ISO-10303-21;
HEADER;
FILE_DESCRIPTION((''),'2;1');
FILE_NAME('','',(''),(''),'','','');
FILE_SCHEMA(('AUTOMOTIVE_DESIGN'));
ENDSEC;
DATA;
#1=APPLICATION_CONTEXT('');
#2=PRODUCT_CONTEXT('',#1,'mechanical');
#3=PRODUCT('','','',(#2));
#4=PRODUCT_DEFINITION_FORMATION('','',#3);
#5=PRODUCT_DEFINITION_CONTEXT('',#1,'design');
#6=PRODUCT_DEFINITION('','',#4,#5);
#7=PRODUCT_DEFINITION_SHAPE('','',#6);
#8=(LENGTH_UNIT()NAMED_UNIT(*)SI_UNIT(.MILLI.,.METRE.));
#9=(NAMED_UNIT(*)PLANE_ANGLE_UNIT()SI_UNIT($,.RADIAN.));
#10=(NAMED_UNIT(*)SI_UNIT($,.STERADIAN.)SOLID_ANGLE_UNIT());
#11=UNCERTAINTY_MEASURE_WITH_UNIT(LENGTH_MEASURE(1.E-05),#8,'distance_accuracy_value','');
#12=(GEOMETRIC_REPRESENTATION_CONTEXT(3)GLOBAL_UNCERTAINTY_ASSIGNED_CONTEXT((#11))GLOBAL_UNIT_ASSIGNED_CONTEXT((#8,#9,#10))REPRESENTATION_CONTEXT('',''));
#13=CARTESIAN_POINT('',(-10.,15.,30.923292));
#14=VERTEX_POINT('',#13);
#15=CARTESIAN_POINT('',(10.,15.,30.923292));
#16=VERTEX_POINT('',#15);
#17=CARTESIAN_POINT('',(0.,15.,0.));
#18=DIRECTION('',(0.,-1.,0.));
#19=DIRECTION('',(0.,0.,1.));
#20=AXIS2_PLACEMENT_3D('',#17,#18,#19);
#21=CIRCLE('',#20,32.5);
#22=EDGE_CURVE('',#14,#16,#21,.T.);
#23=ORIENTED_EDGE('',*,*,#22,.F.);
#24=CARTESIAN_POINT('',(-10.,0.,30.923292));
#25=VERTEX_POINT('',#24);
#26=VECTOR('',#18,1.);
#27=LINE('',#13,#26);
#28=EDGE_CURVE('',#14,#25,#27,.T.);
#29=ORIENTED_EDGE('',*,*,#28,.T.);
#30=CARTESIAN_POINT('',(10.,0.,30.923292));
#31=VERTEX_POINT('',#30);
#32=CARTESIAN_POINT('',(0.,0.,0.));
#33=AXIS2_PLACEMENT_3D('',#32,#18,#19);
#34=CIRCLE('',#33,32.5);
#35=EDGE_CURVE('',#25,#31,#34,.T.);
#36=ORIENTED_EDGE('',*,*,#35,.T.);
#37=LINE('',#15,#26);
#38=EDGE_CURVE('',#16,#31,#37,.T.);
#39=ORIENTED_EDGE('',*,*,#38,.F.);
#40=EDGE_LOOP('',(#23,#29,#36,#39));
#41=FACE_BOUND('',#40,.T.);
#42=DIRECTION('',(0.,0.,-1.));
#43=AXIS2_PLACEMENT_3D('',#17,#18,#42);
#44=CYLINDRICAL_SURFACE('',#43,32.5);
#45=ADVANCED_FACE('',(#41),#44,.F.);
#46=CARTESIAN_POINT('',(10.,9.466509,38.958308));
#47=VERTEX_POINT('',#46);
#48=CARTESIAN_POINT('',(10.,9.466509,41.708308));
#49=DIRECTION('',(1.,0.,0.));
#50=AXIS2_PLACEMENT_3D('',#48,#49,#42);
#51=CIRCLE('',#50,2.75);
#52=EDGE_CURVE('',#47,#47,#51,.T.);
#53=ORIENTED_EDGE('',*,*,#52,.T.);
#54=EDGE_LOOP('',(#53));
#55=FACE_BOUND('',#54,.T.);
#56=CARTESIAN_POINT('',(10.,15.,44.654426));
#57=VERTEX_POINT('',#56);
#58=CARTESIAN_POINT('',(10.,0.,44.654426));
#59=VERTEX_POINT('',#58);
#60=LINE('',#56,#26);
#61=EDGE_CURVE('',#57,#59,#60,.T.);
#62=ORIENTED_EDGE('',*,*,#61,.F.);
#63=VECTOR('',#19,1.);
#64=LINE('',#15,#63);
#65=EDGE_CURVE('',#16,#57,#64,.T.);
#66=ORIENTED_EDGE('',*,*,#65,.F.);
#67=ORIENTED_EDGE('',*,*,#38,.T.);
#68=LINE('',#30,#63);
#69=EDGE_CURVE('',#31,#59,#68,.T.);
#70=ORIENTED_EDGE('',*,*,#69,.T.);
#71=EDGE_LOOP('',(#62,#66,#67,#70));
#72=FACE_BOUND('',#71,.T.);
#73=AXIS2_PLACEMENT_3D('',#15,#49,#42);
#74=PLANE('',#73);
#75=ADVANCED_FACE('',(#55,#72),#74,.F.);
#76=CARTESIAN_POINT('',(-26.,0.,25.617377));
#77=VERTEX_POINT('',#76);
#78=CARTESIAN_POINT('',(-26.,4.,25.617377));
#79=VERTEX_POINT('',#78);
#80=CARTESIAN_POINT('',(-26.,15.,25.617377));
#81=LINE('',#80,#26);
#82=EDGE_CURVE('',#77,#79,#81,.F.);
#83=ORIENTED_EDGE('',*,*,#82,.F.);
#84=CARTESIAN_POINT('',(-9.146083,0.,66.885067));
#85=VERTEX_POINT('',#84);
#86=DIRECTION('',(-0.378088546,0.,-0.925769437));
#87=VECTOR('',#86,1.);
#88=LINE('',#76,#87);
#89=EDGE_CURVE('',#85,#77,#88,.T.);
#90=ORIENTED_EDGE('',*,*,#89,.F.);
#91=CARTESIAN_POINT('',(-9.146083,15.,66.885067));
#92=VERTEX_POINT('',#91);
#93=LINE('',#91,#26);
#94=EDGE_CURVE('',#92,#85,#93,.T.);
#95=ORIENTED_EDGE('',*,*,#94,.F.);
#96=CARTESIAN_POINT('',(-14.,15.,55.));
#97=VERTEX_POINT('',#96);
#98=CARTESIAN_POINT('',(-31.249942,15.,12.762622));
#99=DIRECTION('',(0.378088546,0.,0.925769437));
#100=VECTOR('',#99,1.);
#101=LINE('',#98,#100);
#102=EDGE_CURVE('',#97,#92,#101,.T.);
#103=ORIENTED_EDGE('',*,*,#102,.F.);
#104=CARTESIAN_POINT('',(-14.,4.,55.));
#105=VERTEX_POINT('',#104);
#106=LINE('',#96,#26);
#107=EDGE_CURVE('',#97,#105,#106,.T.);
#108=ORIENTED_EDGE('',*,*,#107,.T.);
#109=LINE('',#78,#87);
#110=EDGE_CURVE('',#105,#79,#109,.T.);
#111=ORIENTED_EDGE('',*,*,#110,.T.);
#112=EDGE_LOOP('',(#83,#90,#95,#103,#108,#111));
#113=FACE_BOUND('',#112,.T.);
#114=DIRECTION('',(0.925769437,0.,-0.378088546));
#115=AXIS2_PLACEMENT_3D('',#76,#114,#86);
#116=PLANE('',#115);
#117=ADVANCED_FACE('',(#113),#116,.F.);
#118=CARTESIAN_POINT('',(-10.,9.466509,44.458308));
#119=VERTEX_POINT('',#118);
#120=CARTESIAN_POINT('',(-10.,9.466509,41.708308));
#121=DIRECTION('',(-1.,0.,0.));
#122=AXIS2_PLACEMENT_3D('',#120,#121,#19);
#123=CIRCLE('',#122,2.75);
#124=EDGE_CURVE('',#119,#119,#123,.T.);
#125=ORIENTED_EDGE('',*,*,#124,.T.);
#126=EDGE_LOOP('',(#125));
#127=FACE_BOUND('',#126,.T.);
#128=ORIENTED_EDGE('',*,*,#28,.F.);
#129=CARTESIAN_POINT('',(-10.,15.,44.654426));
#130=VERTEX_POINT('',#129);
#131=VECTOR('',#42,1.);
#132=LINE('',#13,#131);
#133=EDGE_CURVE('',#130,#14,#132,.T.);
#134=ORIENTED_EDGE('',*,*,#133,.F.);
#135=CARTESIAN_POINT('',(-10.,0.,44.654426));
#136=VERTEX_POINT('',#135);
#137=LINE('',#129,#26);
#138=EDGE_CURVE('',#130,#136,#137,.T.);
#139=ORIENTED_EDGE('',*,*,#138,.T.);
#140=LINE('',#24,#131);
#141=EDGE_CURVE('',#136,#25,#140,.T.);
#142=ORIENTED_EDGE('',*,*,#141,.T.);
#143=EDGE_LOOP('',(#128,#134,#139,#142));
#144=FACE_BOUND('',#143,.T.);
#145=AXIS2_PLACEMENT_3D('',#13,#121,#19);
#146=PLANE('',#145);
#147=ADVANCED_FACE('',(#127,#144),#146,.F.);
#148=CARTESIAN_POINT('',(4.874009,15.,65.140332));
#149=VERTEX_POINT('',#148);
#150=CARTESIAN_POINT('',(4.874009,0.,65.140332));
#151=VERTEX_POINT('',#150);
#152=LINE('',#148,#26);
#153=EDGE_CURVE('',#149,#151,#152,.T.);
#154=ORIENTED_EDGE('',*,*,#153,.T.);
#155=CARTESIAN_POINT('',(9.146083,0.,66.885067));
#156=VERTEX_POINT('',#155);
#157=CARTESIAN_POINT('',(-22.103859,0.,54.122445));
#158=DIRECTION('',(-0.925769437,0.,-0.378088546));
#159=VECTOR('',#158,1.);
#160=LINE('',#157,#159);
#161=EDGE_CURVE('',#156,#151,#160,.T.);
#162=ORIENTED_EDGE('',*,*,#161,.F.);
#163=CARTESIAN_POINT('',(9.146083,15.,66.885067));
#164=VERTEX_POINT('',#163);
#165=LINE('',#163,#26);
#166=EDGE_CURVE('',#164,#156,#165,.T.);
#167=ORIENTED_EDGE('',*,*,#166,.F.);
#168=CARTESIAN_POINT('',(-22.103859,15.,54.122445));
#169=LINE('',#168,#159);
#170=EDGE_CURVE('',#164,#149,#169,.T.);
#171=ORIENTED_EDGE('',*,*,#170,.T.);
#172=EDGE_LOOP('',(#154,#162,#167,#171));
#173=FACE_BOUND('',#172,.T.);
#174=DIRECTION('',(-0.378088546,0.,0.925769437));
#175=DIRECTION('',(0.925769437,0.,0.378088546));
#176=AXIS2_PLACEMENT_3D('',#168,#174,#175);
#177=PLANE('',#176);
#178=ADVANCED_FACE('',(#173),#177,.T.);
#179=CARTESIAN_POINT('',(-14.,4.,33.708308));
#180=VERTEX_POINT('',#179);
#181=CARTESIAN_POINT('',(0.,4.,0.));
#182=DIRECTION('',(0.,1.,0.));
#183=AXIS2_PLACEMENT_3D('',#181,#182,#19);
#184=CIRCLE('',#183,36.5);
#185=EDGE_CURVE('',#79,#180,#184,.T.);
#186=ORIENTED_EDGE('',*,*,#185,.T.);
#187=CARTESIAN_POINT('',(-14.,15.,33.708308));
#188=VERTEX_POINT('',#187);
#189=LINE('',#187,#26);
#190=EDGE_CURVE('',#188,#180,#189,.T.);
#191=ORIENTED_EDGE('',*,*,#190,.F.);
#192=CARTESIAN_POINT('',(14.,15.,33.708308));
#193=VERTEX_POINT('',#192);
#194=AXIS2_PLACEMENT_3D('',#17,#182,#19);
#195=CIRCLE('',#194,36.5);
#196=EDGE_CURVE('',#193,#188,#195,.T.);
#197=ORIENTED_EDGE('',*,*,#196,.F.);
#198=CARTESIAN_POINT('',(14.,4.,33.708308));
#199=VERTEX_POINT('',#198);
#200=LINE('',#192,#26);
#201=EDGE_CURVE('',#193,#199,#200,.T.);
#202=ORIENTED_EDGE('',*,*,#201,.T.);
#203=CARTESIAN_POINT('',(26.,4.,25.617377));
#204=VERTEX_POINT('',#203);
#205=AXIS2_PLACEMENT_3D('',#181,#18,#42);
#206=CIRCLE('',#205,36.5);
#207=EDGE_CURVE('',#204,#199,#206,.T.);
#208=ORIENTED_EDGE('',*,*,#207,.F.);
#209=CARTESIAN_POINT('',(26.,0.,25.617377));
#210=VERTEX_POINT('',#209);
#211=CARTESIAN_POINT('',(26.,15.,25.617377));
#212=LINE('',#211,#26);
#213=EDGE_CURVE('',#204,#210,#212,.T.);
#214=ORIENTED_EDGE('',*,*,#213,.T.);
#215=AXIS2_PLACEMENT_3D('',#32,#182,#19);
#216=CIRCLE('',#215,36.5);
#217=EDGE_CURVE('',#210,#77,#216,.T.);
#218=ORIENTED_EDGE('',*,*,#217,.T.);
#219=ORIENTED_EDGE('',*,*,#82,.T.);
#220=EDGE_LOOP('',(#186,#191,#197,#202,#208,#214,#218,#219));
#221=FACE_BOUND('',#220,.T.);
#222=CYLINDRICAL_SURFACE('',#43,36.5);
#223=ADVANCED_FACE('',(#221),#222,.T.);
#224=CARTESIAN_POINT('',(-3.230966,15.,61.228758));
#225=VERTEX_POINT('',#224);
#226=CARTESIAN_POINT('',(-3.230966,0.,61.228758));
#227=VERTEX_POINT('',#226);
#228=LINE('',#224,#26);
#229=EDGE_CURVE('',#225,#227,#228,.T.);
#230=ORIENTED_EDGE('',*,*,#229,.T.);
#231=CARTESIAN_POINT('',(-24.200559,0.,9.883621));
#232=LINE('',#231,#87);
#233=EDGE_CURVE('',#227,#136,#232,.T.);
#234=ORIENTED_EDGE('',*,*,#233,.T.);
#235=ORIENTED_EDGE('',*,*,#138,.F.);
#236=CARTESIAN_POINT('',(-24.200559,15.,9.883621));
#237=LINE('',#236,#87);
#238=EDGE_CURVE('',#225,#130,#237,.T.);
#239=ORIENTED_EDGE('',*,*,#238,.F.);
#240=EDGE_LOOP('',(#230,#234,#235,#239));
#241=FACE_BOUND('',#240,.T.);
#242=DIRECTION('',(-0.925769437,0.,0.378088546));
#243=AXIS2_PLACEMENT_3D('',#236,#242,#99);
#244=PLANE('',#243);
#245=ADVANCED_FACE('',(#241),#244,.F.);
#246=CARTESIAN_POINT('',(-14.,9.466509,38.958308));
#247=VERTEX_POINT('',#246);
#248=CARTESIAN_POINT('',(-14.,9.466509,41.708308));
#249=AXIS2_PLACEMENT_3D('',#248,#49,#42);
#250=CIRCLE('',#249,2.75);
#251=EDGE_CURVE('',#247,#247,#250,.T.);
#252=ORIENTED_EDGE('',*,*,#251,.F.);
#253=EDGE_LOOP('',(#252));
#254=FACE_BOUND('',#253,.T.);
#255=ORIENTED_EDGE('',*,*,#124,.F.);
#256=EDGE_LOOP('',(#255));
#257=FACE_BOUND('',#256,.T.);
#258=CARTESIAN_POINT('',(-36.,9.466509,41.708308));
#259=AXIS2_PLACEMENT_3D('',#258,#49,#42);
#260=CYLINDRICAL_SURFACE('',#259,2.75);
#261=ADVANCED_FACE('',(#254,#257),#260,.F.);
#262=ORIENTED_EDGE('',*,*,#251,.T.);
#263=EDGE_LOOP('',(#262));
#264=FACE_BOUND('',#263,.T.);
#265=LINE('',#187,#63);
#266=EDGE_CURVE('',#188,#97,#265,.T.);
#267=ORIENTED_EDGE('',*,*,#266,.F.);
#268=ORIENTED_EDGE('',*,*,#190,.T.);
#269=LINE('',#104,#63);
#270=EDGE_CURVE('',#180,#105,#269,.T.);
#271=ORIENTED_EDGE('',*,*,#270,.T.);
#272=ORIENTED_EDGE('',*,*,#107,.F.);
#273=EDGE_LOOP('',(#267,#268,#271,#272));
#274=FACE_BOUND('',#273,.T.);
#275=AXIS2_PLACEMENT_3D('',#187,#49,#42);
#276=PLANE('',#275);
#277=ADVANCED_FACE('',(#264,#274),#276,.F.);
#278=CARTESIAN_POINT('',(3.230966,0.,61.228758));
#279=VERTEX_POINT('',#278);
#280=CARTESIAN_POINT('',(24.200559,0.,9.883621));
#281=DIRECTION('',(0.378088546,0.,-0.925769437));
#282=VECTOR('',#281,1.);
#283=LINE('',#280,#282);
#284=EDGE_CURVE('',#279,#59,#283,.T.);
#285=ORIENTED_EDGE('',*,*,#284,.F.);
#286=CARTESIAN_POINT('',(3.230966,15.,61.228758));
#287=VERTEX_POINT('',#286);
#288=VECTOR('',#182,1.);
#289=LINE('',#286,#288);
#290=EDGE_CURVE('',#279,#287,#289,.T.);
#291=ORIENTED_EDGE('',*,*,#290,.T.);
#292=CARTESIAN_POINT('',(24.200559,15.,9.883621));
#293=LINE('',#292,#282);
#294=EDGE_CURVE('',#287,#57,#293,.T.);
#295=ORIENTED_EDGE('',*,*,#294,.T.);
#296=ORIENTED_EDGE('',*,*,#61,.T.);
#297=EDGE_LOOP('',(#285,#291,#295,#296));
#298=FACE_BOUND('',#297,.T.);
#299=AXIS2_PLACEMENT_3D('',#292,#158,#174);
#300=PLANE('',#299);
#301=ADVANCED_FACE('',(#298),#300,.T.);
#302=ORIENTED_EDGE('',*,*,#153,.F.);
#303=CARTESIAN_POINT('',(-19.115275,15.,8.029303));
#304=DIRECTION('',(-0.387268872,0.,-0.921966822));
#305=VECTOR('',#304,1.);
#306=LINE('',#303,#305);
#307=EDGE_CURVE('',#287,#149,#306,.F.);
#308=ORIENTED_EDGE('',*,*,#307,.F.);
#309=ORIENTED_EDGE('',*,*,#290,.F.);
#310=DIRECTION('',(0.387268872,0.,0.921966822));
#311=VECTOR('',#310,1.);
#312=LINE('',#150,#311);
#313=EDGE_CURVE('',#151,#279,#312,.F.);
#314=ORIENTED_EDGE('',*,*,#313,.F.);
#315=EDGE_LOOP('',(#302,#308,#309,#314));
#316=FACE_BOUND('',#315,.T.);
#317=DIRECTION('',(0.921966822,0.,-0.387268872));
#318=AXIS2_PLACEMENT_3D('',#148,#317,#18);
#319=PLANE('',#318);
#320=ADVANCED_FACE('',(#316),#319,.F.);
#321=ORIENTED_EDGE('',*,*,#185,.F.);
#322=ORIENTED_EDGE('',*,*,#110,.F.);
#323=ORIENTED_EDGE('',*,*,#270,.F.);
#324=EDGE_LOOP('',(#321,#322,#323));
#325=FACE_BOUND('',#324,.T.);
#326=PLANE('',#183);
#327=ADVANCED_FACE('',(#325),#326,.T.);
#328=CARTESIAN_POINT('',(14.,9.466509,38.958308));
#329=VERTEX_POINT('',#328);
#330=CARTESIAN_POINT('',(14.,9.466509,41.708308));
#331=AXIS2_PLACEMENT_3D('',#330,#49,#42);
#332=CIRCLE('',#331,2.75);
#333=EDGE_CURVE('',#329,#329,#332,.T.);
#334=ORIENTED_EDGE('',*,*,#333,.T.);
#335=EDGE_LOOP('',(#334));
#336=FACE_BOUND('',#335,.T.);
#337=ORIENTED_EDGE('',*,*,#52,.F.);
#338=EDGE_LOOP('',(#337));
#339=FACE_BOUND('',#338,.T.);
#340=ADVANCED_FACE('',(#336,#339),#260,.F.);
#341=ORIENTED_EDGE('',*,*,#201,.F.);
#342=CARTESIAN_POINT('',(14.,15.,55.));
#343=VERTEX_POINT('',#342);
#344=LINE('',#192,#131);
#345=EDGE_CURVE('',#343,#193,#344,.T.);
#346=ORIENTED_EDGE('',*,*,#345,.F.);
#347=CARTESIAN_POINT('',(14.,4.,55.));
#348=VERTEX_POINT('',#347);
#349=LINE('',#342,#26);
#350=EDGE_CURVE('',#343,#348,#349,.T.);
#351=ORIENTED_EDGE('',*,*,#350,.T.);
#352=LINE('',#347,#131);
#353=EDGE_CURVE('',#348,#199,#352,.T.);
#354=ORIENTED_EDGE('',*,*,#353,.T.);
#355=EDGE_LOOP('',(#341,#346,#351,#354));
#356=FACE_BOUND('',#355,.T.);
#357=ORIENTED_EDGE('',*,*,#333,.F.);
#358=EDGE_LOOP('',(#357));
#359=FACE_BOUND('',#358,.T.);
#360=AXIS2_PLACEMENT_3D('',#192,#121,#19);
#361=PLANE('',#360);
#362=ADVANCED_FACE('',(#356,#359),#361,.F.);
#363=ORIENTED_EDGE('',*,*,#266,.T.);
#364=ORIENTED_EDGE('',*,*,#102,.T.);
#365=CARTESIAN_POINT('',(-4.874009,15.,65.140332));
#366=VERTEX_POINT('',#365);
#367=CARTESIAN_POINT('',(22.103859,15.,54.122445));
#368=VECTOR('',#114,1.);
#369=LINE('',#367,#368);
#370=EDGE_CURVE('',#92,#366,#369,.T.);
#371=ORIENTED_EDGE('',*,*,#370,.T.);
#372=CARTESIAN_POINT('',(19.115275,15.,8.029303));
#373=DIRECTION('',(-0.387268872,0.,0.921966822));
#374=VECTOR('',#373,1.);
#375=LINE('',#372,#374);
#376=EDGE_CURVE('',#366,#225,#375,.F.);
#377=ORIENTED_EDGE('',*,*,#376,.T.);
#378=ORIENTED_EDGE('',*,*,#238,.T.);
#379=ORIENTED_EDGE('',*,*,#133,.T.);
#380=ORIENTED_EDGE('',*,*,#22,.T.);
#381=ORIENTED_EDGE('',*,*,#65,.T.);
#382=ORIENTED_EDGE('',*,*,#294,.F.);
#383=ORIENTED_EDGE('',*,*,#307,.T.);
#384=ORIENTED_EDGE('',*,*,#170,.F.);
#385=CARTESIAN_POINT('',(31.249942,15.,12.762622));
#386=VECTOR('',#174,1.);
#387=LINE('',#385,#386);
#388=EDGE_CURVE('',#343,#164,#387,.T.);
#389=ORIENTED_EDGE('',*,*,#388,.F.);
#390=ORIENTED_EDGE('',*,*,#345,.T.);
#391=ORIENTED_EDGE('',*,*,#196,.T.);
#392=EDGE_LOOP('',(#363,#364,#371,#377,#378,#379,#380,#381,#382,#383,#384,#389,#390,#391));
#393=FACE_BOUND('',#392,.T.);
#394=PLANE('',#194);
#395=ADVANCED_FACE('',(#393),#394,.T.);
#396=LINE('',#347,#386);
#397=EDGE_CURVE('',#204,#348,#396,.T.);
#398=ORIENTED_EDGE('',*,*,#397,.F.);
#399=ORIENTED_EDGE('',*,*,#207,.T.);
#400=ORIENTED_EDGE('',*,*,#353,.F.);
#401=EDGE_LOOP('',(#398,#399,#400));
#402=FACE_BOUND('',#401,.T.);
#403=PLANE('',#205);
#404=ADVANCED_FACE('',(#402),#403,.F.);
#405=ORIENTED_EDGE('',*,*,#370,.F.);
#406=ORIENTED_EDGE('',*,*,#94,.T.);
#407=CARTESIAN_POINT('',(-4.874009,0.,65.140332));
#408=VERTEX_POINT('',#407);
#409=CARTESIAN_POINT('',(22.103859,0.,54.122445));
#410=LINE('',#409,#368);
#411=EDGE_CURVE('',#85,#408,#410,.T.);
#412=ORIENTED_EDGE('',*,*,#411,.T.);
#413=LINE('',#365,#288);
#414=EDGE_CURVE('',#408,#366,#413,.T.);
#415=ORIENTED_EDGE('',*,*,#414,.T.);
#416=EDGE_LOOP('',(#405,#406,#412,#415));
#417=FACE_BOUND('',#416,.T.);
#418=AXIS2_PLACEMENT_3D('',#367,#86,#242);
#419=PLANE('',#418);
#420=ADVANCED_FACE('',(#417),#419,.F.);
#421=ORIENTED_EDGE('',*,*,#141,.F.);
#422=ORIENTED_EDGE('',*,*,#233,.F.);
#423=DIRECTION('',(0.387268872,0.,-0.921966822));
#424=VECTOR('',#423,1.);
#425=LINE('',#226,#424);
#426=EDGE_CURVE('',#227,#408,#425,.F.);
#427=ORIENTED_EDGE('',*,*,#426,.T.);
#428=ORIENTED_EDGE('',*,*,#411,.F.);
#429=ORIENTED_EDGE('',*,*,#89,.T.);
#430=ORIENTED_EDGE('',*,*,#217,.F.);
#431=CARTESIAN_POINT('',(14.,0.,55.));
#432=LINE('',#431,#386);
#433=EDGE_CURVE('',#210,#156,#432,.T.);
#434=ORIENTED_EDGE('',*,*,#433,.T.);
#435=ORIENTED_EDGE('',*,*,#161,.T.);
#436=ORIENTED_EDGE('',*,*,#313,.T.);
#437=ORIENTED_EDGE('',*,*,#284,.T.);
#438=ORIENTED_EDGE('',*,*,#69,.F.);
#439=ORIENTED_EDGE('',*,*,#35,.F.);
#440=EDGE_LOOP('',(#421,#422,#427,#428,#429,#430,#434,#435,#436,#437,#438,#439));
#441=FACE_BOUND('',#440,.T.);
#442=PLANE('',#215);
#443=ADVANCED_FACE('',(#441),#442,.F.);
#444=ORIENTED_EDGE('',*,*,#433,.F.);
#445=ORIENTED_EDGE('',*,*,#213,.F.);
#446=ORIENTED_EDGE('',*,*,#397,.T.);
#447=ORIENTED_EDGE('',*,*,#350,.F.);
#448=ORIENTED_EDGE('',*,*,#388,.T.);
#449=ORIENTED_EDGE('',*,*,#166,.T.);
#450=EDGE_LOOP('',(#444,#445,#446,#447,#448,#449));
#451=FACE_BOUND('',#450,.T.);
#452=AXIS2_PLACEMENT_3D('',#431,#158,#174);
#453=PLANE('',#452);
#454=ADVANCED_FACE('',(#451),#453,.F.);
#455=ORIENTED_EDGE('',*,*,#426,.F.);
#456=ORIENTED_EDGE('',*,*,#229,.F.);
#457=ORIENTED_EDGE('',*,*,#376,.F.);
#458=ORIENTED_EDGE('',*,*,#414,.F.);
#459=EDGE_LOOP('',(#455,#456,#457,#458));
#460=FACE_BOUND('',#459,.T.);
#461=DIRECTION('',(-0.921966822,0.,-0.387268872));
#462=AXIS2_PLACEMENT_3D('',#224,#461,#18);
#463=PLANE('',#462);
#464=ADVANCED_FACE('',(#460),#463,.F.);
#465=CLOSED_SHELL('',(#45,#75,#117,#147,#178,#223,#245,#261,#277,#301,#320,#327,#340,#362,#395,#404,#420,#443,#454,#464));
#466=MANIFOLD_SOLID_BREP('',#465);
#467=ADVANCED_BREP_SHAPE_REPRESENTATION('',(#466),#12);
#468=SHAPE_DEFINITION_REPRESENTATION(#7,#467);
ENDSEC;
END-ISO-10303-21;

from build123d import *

# Parameters (mm, degrees)
BOSS_EXTRUDE1_DEPTH = 15
BOSS_EXTRUDE2_DEPTH = 4
CUT_EXTRUDE1_DEPTH  = 4
BOSS_EXTRUDE3_DEPTH = 15
CHAMFER1_SIZE       = 3
SKETCH6_R           = 2.75
CUT_EXTRUDE2_DEPTH  = 50


with BuildPart() as part:
    # Sketch1 → Boss-Extrude1 (new body)
    with BuildSketch(Plane(origin=(0, 0, 0), x_dir=(1, 0, 0), z_dir=(0, 1, 0))):
        with BuildLine():
            Line((-14, -33.708307581), (-14, -55))
            Line((-14, -55), (-10, -55))
            Line((-10, -55), (-10, -30.923292192))
            ThreePointArc((-10, -30.923292192), (0, 32.5), (10, -30.923292192))
            Line((10, -30.923292192), (10, -55))
            Line((10, -55), (14, -55))
            Line((14, -55), (14, -33.708307581))
            ThreePointArc((14, -33.708307581), (0, 36.5), (-14, -33.708307581))
        make_face()
    extrude(amount=BOSS_EXTRUDE1_DEPTH)

    # Sketch2 → Boss-Extrude2 (add)
    with BuildSketch(Plane.XZ):
        Polygon((-26, 22.856938123), (-14, 33.708307581), (-14, 55), (-26, 55), align=None)
        Polygon((14, 55), (26, 55), (26, 22.856938123), (14, 33.708307581), align=None)
    extrude(amount=-BOSS_EXTRUDE2_DEPTH)

    # Sketch4 → Cut-Extrude1 (cut)
    with BuildSketch(Plane(origin=(0, 4, 0), x_dir=(1, 0, 0), z_dir=(0, 1, 0))):
        Polygon((-26, -25.617376915), (-14, -55), (-32.323218547, -64.259569624), align=None)
        Polygon((14, -55), (26, -25.617376915), (31.225077356, -59.629784812), align=None)
    extrude(amount=-CUT_EXTRUDE1_DEPTH, mode=Mode.SUBTRACT)

    # Sketch5 → Boss-Extrude3 (add)
    with BuildSketch(Plane.XZ):
        Polygon((-9.146083297, 66.885067081), (-14, 55), (-10, 55), (-10, 44.654426435), (-2.09670025, 64.00606624), align=None)
        Polygon((10, 55), (14, 55), (9.146083297, 66.885067081), (2.09670025, 64.00606624), (10, 44.654426435), align=None)
    extrude(amount=-BOSS_EXTRUDE3_DEPTH)

    # Chamfer1
    chamfer1_edges = [part.edges().sort_by_distance(p)[0] for p in [
        (-2.09670025, 7.5, 64.00606624),
        (2.09670025, 7.5, 64.00606624),
    ]]
    chamfer(chamfer1_edges, length=CHAMFER1_SIZE)

    # Sketch6 → Cut-Extrude2 (cut)
    with BuildSketch(Plane(origin=(14, 0, 0), x_dir=(0, 0, -1), z_dir=(1, 0, 0))):
        with Locations((-41.708307581, 9.466509398)):
            Circle(SKETCH6_R)
    extrude(amount=-CUT_EXTRUDE2_DEPTH, mode=Mode.SUBTRACT)


solid = part.part
